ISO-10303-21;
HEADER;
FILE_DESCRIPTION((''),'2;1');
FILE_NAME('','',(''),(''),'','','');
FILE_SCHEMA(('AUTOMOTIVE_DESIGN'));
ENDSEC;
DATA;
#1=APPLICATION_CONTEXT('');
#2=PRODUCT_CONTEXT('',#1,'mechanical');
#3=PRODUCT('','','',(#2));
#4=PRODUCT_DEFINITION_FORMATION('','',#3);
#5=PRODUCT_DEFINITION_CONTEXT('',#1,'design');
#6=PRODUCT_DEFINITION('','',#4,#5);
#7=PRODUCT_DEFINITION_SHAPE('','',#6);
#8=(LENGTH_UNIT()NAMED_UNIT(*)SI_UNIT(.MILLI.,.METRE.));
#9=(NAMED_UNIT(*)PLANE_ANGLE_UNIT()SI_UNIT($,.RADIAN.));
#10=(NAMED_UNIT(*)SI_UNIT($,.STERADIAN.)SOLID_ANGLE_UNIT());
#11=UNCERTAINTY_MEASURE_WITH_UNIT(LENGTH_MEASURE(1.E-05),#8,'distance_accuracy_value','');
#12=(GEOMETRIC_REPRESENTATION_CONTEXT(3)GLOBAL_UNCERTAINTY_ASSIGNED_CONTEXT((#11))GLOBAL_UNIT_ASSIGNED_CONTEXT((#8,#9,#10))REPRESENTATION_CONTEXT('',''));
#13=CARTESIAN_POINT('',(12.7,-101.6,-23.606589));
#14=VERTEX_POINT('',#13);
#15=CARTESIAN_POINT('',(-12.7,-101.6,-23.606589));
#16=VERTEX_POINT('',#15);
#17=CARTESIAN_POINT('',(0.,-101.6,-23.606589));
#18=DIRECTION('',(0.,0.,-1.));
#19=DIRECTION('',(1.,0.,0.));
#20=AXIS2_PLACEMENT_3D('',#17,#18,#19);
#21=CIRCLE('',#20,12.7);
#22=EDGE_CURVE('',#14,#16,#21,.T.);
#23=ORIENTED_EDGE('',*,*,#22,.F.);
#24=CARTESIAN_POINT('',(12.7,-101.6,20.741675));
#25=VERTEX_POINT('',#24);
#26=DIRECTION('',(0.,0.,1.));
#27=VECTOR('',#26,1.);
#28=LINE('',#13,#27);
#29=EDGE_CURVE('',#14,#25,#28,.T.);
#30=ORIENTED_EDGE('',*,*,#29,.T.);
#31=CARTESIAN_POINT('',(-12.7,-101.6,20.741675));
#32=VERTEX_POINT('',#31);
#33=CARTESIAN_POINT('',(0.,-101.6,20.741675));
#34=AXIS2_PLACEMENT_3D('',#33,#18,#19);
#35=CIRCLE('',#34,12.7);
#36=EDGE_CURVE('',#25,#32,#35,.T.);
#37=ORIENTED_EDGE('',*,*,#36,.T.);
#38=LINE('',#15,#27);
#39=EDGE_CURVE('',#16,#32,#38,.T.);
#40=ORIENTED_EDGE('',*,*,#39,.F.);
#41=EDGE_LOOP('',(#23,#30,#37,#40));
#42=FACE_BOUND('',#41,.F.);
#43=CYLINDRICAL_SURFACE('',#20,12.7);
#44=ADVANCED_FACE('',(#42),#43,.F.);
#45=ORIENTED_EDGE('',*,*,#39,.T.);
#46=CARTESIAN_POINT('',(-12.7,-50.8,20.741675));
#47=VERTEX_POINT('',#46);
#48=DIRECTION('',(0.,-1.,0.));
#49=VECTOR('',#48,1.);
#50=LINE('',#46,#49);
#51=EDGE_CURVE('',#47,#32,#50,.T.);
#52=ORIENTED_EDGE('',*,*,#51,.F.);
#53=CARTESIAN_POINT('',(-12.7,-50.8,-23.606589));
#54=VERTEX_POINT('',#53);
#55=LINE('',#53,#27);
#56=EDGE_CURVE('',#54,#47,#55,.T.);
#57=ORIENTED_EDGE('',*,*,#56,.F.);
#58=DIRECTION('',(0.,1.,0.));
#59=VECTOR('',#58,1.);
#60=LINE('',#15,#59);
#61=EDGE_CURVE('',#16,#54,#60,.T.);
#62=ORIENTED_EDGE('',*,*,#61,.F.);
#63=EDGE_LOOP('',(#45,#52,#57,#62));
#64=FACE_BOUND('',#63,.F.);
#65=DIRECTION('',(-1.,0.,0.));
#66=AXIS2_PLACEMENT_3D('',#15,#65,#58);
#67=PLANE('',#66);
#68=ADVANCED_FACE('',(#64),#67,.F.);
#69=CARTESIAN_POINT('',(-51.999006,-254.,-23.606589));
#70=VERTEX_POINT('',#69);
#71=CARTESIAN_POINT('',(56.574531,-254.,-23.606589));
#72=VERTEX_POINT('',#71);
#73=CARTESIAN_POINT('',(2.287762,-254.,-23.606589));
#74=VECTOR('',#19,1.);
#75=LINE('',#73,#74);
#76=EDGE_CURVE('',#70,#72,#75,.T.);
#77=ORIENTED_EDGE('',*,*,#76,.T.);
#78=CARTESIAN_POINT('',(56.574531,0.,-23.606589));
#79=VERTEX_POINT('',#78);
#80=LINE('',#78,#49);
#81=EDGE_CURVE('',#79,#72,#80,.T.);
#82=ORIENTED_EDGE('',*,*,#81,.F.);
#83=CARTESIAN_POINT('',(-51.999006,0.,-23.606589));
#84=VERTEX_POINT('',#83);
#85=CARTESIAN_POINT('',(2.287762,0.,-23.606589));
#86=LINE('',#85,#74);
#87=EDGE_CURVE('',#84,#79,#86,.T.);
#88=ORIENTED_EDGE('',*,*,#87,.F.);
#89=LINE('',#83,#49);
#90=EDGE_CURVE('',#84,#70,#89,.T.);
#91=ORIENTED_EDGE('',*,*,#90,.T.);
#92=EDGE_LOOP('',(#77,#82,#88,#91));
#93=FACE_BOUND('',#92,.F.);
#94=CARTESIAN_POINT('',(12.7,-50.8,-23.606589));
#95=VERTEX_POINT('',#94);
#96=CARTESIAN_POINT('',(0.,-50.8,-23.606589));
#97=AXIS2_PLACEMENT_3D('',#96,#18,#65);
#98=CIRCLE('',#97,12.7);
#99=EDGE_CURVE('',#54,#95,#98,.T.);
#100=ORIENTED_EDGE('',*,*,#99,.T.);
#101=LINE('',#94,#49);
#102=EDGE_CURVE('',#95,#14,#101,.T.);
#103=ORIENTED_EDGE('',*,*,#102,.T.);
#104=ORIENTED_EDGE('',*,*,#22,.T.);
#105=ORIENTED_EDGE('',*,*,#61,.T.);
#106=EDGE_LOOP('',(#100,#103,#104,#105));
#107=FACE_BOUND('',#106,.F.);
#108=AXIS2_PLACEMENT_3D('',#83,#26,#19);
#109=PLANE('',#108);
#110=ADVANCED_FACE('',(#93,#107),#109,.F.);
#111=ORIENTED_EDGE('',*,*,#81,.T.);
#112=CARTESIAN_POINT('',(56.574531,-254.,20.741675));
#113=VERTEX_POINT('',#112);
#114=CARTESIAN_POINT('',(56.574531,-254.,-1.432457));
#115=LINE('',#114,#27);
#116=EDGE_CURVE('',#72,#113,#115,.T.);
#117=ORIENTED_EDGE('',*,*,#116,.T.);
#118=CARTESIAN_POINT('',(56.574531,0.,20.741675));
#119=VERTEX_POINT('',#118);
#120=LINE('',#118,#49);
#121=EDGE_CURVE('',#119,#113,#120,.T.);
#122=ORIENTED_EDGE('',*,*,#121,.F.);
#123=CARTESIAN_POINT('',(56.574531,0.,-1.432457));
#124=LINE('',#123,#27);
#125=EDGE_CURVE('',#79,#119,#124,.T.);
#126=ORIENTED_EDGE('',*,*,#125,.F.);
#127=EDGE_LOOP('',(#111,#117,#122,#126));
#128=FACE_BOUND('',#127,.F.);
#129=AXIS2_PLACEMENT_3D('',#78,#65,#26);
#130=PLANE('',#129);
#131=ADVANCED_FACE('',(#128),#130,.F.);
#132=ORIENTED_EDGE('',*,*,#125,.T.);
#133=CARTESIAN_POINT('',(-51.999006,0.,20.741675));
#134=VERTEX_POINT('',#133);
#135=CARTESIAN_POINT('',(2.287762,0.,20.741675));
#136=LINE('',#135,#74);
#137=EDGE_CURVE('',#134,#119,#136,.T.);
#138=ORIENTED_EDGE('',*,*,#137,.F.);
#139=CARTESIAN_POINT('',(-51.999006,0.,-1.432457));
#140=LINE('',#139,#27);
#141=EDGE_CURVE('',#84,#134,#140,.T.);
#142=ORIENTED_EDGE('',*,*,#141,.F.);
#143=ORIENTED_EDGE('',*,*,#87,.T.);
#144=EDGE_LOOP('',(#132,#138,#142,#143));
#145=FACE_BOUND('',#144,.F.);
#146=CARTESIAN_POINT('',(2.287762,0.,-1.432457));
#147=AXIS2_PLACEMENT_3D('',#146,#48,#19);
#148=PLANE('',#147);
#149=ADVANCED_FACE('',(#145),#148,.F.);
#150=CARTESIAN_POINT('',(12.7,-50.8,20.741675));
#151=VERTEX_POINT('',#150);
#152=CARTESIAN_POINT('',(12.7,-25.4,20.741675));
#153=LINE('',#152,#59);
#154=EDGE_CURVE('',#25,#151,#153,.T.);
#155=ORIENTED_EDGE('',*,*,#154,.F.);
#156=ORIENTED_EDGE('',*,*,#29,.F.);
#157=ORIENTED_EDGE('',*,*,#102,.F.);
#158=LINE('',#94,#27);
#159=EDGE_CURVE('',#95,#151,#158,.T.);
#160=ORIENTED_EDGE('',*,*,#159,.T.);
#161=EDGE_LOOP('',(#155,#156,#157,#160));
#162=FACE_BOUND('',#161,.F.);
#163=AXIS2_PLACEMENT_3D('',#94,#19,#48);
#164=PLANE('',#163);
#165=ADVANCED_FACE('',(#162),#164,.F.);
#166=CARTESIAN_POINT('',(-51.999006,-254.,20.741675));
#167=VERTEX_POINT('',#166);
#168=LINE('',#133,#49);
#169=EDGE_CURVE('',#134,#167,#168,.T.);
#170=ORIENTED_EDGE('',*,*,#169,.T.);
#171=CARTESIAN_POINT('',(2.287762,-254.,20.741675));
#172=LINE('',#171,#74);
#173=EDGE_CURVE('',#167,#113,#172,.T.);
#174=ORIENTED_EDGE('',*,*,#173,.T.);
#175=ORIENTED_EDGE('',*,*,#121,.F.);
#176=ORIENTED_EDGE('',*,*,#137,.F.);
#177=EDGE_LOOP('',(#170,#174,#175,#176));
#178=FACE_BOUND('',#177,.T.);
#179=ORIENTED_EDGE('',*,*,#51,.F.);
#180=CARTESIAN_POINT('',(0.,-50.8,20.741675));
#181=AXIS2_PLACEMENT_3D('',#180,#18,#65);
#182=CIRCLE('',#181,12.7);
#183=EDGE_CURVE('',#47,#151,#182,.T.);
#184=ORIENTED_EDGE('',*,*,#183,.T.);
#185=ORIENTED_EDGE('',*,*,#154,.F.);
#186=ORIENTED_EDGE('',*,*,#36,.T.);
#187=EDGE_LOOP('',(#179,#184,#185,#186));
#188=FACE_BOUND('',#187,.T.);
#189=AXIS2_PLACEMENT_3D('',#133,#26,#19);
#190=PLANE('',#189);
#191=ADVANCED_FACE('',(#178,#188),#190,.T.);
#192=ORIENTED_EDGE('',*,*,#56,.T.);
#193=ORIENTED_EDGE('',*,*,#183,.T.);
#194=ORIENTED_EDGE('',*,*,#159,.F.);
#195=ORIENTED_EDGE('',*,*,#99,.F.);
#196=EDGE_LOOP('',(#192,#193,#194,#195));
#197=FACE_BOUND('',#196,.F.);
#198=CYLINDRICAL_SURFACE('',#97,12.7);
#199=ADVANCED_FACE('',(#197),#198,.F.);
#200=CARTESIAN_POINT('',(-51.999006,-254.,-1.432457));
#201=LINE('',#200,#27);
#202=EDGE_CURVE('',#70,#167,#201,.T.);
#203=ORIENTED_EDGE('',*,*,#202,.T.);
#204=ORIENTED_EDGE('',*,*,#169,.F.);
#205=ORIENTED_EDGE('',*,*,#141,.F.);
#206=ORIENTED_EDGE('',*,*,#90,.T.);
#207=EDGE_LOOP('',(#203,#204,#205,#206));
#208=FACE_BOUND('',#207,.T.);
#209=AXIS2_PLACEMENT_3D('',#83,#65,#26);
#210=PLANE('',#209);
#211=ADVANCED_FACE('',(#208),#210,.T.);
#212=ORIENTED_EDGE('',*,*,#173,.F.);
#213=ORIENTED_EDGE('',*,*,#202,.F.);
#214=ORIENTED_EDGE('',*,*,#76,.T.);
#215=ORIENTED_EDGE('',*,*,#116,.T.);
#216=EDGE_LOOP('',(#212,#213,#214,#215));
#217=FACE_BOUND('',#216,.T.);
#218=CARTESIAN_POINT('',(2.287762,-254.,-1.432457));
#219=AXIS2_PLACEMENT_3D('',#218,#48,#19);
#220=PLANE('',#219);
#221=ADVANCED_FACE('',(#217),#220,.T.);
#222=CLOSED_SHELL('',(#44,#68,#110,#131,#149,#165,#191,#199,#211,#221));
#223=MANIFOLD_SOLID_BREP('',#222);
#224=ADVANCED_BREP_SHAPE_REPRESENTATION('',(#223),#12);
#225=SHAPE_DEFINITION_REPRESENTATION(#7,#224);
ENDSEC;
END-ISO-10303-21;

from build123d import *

# Parameters (mm, degrees)
F0_W     = 108.5735373199
F0_H     = 44.3482641131
F1_DEPTH = 254
F3_DEPTH = 76.2


with BuildPart() as f1:
    # F0 (on Front) → F1 (new body)
    with BuildSketch(Plane.XZ):
        with Locations((2.2877622396, -1.4324570075)):
            Rectangle(F0_W, F0_H)
    extrude(amount=F1_DEPTH)

    # F2 (on face) → F3 (cut)
    with BuildSketch(Plane(origin=(0, 0, -23.606589064), x_dir=(1, 0, 0), z_dir=(0, 0, -1))):
        with BuildLine():
            Line((0, 50.8), (-12.7, 50.8))
            ThreePointArc((-12.7, 50.8), (0, 38.1), (12.7, 50.8))
            Line((12.7, 50.8), (0, 50.8))
        make_face()
        with BuildLine():
            Line((-12.7, 101.6), (-12.7, 50.8))
            ThreePointArc((-12.7, 50.8), (-8.9802561211, 59.7802561211), (0, 63.5))
            Line((0, 63.5), (0, 88.9))
            ThreePointArc((0, 88.9), (-8.9802561211, 92.6197438789), (-12.7, 101.6))
        make_face()
        with BuildLine():
            ThreePointArc((0, 63.5), (-8.9802561211, 59.7802561211), (-12.7, 50.8))
            Line((-12.7, 50.8), (0, 50.8))
            Line((0, 50.8), (0, 63.5))
        make_face()
        with BuildLine():
            Line((0, 50.8), (12.7, 50.8))
            ThreePointArc((12.7, 50.8), (8.9802561211, 59.7802561211), (0, 63.5))
            Line((0, 63.5), (0, 50.8))
        make_face()
        with BuildLine():
            ThreePointArc((0, 63.5), (8.9802561211, 59.7802561211), (12.7, 50.8))
            Line((12.7, 50.8), (12.7, 101.6))
            ThreePointArc((12.7, 101.6), (8.9802561211, 92.6197438789), (0, 88.9))
            Line((0, 88.9), (0, 63.5))
        make_face()
        with BuildLine():
            Line((0, 101.6), (-12.7, 101.6))
            ThreePointArc((-12.7, 101.6), (-8.9802561211, 92.6197438789), (0, 88.9))
            Line((0, 88.9), (0, 101.6))
        make_face()
        with BuildLine():
            ThreePointArc((12.7, 101.6), (0, 114.3), (-12.7, 101.6))
            Line((-12.7, 101.6), (0, 101.6))
            Line((0, 101.6), (12.7, 101.6))
        make_face()
        with BuildLine():
            ThreePointArc((0, 88.9), (8.9802561211, 92.6197438789), (12.7, 101.6))
            Line((12.7, 101.6), (0, 101.6))
            Line((0, 101.6), (0, 88.9))
        make_face()
    extrude(amount=-F3_DEPTH, mode=Mode.SUBTRACT)


solid = f1.part
